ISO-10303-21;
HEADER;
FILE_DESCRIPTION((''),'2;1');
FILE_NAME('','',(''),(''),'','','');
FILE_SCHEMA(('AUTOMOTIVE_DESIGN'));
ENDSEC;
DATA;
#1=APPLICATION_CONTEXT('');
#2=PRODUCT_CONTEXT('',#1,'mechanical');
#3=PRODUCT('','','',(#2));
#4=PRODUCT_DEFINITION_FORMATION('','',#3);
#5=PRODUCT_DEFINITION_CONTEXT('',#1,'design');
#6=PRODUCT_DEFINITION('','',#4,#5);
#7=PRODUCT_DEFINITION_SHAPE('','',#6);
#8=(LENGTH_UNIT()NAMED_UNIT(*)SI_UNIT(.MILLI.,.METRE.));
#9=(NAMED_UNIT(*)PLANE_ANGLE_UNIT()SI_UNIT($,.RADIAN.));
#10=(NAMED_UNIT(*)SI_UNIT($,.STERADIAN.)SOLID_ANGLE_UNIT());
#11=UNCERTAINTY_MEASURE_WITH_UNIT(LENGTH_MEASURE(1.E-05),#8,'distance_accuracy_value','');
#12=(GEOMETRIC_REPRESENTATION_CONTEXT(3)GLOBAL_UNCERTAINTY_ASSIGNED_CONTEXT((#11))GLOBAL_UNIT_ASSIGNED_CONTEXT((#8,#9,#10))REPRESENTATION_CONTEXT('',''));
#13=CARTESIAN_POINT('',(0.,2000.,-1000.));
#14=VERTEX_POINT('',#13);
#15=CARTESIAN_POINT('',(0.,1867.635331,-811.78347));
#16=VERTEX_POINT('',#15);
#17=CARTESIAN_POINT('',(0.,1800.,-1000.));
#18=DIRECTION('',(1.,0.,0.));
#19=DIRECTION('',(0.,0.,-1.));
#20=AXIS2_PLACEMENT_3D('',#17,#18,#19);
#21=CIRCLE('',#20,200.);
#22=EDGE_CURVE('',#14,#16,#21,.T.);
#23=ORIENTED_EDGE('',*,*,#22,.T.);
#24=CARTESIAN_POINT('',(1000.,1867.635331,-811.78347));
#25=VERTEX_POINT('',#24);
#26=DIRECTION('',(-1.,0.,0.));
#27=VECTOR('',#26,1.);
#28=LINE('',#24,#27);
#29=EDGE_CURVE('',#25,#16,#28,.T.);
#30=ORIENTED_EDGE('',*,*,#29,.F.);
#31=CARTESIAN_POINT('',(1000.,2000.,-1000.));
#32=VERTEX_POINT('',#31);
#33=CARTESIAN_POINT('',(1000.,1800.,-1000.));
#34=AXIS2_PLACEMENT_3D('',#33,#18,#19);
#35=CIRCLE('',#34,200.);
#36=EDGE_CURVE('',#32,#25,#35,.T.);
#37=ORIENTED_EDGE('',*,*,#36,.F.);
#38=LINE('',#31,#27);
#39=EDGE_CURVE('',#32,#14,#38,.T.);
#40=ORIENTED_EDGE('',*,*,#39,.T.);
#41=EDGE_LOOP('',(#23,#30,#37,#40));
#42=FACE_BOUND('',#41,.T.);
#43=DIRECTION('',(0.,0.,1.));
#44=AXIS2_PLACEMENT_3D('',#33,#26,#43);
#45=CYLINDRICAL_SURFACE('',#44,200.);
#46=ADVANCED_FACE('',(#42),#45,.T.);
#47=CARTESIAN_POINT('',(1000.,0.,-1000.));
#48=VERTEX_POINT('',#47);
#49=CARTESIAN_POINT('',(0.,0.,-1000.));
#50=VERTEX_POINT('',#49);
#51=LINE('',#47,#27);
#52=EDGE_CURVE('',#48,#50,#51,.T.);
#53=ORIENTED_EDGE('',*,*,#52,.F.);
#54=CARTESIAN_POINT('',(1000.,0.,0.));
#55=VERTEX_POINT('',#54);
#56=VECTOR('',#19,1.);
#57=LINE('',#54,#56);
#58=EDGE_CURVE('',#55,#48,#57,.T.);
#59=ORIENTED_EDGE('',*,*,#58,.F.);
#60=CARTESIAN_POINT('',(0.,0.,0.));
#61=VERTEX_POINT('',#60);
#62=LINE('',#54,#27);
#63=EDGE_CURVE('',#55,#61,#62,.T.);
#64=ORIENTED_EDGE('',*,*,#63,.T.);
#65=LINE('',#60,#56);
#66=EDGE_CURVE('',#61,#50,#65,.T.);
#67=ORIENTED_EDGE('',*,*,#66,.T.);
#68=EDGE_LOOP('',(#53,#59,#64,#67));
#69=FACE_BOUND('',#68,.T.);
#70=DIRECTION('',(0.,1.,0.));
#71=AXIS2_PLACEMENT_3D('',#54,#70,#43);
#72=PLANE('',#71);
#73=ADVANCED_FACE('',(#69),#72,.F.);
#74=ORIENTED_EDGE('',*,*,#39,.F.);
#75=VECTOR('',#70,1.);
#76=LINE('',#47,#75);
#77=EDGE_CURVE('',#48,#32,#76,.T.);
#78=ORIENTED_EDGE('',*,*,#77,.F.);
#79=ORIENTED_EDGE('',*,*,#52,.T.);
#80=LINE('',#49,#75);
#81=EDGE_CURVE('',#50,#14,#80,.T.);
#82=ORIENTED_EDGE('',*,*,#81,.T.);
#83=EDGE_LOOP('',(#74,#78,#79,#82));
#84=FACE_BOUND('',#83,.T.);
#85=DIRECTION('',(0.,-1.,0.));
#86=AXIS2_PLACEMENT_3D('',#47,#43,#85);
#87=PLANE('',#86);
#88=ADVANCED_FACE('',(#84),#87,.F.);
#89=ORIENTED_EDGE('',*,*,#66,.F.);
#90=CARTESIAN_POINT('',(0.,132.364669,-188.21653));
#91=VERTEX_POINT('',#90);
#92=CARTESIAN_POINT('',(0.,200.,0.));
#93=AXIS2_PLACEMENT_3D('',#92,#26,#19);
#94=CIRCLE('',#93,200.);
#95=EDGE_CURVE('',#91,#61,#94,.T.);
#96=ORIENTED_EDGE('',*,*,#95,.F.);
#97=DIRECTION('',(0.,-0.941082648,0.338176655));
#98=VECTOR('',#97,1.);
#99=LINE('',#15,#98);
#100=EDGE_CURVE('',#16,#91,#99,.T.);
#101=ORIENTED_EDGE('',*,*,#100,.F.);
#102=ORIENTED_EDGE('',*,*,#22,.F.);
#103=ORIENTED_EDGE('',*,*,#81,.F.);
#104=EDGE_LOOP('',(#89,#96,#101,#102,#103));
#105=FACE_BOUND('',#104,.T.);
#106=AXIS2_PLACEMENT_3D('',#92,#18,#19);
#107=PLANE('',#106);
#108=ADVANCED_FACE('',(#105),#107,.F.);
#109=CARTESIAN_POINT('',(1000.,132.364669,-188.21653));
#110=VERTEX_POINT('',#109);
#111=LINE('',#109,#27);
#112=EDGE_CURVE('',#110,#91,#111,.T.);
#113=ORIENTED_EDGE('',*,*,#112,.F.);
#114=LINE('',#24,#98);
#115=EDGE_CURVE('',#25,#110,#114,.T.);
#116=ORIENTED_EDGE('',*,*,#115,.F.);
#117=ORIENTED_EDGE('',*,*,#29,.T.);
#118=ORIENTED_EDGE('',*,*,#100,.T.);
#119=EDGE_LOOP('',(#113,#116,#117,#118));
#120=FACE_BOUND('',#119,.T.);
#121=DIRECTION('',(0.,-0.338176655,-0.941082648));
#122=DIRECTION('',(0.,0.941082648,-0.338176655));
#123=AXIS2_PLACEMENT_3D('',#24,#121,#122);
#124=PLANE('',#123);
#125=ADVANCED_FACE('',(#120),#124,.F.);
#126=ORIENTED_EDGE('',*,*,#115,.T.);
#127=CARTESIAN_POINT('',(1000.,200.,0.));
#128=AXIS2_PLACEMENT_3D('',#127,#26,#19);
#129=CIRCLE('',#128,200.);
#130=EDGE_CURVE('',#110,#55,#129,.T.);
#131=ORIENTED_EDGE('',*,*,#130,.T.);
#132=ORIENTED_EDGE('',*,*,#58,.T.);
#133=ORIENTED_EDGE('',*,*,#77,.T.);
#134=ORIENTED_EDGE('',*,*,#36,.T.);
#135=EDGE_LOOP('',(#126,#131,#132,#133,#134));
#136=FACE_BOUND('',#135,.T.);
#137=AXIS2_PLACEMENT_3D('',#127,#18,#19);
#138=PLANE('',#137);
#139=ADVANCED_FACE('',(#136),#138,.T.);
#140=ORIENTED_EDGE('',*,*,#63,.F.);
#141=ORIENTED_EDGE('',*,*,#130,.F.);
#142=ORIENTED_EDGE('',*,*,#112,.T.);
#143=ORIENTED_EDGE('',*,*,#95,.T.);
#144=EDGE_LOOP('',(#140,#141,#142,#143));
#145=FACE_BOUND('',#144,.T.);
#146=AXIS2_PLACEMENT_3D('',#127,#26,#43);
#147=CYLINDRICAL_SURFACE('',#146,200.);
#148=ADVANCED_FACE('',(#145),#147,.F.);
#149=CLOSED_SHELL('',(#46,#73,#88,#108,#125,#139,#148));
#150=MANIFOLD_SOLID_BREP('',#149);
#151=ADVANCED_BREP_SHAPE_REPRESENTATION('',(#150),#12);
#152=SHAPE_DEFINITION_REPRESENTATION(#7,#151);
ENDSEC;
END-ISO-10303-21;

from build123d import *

# Parameters (mm, degrees)
AUFSATZ_LINEAR_AUSTRAGEN1_DEPTH = 1000


with BuildPart() as part:
    # Skizze1 → Aufsatz-Linear austragen1 (new body)
    with BuildSketch(Plane(origin=(0, 0, 0), x_dir=(0, 0, -1), z_dir=(1, 0, 0))):
        with BuildLine():
            Line((0, 0), (1000, 0))
            Line((1000, 0), (1000, 2000))
            ThreePointArc((1000, 2000), (884.950154707, 1963.595638995), (811.783470431, 1867.635330981))
            Line((811.783470431, 1867.635330981), (188.216529569, 132.364669019))
            ThreePointArc((188.216529569, 132.364669019), (115.049845293, 36.404361005), (0, 0))
        make_face()
    extrude(amount=AUFSATZ_LINEAR_AUSTRAGEN1_DEPTH)


solid = part.part
